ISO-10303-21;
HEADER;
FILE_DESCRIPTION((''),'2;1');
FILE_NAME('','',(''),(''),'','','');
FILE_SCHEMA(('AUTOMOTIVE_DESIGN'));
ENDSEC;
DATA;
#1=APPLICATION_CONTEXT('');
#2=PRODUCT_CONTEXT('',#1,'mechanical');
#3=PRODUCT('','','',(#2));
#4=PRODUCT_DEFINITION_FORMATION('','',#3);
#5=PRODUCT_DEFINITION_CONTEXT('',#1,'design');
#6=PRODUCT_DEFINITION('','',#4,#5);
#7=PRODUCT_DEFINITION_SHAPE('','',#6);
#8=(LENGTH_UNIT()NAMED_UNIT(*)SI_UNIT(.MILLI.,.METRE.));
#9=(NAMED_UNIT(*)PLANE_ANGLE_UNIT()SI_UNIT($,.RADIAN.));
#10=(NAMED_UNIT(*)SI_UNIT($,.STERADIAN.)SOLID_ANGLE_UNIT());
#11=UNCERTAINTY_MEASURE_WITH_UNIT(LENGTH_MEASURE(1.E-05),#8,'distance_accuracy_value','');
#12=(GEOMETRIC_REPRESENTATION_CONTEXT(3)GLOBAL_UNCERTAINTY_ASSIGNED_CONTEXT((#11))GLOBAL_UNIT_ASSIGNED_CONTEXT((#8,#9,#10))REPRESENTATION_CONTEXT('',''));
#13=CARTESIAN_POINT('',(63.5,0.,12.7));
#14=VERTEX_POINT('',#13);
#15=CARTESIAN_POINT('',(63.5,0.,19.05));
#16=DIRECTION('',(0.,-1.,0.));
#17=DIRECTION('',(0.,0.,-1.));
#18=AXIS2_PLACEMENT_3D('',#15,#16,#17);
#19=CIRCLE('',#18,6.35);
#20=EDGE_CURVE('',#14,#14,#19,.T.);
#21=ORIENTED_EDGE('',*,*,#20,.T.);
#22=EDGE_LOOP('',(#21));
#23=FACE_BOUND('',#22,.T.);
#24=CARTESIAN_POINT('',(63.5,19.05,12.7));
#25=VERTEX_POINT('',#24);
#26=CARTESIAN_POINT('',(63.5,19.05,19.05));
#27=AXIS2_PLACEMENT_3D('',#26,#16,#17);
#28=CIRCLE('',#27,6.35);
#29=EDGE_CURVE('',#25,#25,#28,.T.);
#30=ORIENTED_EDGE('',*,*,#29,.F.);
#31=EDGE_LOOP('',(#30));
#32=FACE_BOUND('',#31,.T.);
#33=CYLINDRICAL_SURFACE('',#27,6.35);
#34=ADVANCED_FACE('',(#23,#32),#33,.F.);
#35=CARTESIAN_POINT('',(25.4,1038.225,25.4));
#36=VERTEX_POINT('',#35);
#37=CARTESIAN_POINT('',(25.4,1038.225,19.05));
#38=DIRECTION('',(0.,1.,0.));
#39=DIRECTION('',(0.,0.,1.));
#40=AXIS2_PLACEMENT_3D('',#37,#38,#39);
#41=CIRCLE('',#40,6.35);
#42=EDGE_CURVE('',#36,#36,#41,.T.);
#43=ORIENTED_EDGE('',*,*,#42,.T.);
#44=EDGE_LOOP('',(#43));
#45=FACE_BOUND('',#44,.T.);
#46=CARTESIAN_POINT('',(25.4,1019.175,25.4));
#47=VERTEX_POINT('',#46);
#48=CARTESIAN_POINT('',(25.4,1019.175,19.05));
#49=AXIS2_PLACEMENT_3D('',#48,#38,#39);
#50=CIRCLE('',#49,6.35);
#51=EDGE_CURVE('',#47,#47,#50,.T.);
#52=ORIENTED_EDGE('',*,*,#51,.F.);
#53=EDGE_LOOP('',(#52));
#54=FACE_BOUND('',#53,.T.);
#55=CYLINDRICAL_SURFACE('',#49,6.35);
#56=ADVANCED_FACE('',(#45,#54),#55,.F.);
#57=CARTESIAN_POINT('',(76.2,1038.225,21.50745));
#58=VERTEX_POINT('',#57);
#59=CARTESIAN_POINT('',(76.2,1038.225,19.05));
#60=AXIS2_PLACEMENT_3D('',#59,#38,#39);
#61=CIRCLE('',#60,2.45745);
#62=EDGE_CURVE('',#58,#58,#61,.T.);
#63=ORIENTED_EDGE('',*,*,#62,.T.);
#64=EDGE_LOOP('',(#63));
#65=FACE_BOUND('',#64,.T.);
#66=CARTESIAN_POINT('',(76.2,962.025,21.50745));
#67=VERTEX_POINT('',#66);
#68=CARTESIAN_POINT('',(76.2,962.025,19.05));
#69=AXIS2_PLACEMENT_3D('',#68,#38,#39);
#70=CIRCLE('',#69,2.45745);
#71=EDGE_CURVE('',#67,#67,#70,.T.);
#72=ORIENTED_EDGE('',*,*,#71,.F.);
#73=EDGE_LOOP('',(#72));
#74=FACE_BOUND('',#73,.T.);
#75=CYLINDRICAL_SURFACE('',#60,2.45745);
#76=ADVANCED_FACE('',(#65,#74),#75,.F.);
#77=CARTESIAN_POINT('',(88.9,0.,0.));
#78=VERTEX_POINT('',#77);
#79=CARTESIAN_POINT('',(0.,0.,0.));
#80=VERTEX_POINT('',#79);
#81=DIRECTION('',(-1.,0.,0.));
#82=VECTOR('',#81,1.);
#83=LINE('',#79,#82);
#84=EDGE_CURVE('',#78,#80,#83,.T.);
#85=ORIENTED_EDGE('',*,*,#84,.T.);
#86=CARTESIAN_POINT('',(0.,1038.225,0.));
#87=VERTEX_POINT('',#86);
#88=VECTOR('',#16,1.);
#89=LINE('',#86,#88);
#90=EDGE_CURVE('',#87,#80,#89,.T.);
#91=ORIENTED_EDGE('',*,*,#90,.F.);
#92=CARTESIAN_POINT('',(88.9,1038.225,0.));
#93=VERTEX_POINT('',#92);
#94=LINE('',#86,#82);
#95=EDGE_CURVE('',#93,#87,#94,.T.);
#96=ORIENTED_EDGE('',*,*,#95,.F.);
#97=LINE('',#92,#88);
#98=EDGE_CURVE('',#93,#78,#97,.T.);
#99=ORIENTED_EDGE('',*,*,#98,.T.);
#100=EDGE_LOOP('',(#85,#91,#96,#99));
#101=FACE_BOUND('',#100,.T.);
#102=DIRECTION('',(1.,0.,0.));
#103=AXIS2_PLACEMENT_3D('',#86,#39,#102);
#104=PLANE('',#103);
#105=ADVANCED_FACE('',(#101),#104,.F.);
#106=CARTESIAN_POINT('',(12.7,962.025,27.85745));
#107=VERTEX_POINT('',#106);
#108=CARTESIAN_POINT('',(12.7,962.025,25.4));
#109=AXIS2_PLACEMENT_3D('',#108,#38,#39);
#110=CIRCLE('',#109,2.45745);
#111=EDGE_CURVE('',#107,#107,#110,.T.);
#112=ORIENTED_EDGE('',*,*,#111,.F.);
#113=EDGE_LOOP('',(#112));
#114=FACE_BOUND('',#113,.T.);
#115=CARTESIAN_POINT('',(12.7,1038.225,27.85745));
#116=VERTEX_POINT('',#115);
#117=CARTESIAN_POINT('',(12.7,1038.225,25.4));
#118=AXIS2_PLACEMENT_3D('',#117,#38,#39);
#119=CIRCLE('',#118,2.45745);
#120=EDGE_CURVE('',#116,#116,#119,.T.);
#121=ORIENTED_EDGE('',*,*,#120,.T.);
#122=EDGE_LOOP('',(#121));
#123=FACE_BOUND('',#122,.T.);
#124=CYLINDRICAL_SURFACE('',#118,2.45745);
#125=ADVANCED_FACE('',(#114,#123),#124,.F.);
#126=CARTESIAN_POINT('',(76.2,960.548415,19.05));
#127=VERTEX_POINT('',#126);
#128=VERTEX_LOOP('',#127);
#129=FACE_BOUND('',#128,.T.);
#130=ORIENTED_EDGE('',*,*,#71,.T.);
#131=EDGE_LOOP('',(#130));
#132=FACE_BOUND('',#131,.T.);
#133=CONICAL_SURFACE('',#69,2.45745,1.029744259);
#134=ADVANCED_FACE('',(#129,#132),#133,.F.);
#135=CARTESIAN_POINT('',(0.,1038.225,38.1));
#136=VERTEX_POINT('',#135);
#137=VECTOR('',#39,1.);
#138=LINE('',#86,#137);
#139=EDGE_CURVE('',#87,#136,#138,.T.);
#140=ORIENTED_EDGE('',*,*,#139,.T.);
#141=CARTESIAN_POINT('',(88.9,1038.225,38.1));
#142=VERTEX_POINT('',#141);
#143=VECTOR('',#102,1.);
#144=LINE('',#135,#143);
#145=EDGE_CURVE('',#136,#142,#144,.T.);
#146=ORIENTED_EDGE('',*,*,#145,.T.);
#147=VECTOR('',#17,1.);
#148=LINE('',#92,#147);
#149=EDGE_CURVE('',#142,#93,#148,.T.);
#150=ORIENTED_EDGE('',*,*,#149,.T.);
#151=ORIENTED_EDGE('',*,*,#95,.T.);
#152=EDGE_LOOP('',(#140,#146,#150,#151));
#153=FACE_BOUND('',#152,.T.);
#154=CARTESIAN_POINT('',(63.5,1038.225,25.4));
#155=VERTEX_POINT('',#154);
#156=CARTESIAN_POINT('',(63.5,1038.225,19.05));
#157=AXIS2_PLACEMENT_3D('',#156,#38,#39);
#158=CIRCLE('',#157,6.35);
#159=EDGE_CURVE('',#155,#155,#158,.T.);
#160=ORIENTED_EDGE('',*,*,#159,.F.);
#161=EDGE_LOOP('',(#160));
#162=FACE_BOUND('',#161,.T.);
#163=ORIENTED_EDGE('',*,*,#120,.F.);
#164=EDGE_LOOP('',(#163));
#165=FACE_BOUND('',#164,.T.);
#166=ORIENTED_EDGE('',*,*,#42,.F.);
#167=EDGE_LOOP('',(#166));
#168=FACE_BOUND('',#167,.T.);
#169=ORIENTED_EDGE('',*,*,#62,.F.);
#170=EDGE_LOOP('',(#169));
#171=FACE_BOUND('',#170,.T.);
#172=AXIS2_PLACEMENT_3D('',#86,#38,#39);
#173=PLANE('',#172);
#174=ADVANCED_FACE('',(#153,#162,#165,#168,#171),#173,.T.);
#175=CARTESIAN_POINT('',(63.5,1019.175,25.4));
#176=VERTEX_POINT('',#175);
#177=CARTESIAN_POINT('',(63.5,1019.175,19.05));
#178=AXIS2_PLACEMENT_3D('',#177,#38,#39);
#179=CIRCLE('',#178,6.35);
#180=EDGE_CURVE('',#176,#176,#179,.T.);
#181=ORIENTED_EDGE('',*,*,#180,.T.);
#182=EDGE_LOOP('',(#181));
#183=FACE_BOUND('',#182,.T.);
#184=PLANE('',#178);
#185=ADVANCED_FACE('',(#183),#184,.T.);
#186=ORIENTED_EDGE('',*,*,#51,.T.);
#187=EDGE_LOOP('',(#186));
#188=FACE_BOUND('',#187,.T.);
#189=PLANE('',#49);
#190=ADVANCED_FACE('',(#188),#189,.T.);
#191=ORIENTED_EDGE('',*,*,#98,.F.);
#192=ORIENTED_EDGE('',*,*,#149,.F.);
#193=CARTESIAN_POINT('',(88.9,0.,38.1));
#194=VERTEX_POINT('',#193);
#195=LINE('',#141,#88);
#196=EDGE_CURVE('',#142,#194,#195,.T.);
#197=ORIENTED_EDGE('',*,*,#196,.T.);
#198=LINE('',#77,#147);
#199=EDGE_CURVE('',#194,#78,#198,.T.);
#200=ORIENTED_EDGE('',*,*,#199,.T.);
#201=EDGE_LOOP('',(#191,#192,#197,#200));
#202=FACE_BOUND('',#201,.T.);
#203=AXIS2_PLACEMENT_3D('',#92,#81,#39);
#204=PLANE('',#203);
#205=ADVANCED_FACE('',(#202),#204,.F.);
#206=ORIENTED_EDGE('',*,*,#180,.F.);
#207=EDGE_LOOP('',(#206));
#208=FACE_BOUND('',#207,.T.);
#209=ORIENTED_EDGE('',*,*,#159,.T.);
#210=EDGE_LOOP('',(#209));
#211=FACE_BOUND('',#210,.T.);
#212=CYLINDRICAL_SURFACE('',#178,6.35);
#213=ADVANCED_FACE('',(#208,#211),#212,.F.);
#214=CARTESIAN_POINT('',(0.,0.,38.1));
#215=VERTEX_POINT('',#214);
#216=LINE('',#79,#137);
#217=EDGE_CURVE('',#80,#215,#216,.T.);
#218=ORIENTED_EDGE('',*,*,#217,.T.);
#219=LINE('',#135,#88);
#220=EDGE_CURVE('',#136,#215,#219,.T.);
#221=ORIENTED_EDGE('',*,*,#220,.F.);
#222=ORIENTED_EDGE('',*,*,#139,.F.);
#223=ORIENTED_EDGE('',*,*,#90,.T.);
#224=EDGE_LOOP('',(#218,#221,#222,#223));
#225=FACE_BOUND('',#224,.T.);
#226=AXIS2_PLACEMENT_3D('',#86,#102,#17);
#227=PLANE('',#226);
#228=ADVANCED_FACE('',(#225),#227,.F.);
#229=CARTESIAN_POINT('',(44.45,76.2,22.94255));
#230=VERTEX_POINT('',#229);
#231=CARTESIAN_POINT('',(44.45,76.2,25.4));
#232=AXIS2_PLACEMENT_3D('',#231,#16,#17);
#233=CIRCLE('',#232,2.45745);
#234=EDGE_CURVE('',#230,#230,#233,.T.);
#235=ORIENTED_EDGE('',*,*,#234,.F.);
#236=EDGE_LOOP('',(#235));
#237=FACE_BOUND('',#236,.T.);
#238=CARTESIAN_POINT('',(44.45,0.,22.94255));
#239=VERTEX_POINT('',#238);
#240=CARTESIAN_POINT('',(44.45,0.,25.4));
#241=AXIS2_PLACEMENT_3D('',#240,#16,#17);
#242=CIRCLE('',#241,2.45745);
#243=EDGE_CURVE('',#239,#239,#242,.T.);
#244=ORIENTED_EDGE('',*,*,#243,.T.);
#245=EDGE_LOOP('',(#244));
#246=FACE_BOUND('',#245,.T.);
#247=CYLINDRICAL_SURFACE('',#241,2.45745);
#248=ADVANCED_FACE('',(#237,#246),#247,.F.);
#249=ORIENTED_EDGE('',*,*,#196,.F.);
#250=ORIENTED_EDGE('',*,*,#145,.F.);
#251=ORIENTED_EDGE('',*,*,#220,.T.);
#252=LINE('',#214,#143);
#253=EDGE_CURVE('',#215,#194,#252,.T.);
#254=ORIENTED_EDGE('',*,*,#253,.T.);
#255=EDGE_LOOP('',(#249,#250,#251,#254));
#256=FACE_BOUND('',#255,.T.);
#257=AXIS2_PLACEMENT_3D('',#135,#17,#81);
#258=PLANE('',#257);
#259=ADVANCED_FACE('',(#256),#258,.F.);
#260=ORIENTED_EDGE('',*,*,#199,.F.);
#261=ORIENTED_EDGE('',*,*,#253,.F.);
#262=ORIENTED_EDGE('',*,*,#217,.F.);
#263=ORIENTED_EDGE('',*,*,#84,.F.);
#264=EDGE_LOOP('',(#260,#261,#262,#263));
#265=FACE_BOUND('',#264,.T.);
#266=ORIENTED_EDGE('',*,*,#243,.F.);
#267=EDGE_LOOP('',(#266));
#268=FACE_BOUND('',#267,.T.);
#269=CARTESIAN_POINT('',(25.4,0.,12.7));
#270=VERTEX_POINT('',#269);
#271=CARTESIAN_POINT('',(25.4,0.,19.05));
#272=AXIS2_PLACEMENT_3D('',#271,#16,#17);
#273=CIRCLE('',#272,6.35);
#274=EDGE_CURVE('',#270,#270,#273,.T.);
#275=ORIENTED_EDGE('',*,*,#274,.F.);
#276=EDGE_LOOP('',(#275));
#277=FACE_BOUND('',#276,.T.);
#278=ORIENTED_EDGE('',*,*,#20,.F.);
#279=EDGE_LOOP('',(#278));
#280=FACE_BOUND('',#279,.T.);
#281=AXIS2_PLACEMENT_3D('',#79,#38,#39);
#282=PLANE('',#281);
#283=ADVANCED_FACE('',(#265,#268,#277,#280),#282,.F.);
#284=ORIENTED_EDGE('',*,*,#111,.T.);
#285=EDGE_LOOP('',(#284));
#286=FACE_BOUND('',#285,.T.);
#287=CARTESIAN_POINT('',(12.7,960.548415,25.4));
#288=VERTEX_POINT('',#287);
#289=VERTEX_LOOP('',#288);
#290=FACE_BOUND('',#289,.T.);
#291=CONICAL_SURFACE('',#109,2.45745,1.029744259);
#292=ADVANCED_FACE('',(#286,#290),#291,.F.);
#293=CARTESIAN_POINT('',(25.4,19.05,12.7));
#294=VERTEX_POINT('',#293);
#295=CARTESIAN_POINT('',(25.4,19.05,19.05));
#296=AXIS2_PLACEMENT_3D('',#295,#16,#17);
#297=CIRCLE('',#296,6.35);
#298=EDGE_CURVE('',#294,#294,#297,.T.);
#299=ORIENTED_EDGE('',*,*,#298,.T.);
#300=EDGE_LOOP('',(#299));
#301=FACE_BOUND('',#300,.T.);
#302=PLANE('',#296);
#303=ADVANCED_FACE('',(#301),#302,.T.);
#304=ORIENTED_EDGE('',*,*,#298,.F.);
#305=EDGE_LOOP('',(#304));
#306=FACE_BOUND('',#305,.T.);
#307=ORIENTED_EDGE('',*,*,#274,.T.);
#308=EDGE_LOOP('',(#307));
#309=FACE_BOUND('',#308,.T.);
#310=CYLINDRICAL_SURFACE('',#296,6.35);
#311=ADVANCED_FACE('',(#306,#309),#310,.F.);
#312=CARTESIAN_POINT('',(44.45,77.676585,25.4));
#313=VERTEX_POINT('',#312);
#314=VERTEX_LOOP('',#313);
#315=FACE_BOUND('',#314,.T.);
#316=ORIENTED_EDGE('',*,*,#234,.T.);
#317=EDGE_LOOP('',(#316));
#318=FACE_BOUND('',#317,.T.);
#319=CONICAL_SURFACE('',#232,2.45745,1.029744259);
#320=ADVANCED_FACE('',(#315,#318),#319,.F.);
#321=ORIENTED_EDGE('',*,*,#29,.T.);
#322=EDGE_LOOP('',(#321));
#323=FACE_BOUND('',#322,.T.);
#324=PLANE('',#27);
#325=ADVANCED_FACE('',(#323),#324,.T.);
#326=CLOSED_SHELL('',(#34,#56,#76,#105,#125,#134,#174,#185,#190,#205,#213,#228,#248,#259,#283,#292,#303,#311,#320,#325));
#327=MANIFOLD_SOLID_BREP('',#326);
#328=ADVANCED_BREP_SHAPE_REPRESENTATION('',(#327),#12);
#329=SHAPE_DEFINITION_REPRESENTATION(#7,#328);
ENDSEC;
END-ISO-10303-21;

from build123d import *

# Parameters (mm, degrees)
SKETCH1_W                                  = 88.9
SKETCH1_H                                  = 38.1
BOSS_EXTRUDE1_DEPTH                        = 1038.225
SKETCH2_R                                  = 6.35
CUT_EXTRUDE1_DEPTH                         = 19.05
SKETCH3_R                                  = 6.35
CUT_EXTRUDE2_DEPTH                         = 19.05
F_10_0_1935_DIAMETER_HOLE1_D               = 4.9149
F_10_0_1935_DIAMETER_HOLE1_DEPTH           = 76.2
F_10_0_1935_DIAMETER_HOLE1_TIP             = 1.476584928
F_10_0_1935_DIAMETER_HOLE1_ON_FACE_2_D     = 4.9149
F_10_0_1935_DIAMETER_HOLE1_ON_FACE_2_DEPTH = 76.2
F_10_0_1935_DIAMETER_HOLE1_ON_FACE_2_TIP   = 1.476584928


with BuildPart() as part:
    # Sketch1 → Boss-Extrude1 (new body)
    with BuildSketch(Plane(origin=(0, 0, 0), x_dir=(1, 0, 0), z_dir=(0, 1, 0))):
        with Locations((44.45, -19.05)):
            Rectangle(SKETCH1_W, SKETCH1_H)
    extrude(amount=BOSS_EXTRUDE1_DEPTH)

    # Sketch2 → Cut-Extrude1 (cut)
    with BuildSketch(Plane(origin=(0, 1038.225, 0), x_dir=(1, 0, 0), z_dir=(0, 1, 0))):
        with Locations((25.4, -19.05)):
            Circle(SKETCH2_R)
        with Locations((63.5, -19.05)):
            Circle(SKETCH2_R)
    extrude(amount=-CUT_EXTRUDE1_DEPTH, mode=Mode.SUBTRACT)

    # Sketch3 → Cut-Extrude2 (cut)
    with BuildSketch(Plane.XZ):
        with Locations((25.4, 19.05)):
            Circle(SKETCH3_R)
        with Locations((63.5, 19.05)):
            Circle(SKETCH3_R)
    extrude(amount=-CUT_EXTRUDE2_DEPTH, mode=Mode.SUBTRACT)

    # #10 (0.1935) Diameter Hole1
    with Locations(Plane(origin=(44.45, 0, 25.4), x_dir=(0, 0, -1), z_dir=(0, -1, 0))):
        with Locations((0, 0)):
            Hole(F_10_0_1935_DIAMETER_HOLE1_D / 2, depth=F_10_0_1935_DIAMETER_HOLE1_DEPTH)
            with Locations((0, 0, -(F_10_0_1935_DIAMETER_HOLE1_DEPTH + F_10_0_1935_DIAMETER_HOLE1_TIP / 2))):  # 118° drill point
                Cone(0, F_10_0_1935_DIAMETER_HOLE1_D / 2, F_10_0_1935_DIAMETER_HOLE1_TIP, mode=Mode.SUBTRACT)

    # #10 (0.1935) Diameter Hole1 on face 2
    with Locations(Plane(origin=(12.7, 1038.225, 25.4), x_dir=(0, 0, 1), z_dir=(0, 1, 0))):
        with Locations((0, 0), (-6.35, 63.5)):
            Hole(F_10_0_1935_DIAMETER_HOLE1_ON_FACE_2_D / 2, depth=F_10_0_1935_DIAMETER_HOLE1_ON_FACE_2_DEPTH)
            with Locations((0, 0, -(F_10_0_1935_DIAMETER_HOLE1_ON_FACE_2_DEPTH + F_10_0_1935_DIAMETER_HOLE1_ON_FACE_2_TIP / 2))):  # 118° drill point
                Cone(0, F_10_0_1935_DIAMETER_HOLE1_ON_FACE_2_D / 2, F_10_0_1935_DIAMETER_HOLE1_ON_FACE_2_TIP, mode=Mode.SUBTRACT)


solid = part.part
